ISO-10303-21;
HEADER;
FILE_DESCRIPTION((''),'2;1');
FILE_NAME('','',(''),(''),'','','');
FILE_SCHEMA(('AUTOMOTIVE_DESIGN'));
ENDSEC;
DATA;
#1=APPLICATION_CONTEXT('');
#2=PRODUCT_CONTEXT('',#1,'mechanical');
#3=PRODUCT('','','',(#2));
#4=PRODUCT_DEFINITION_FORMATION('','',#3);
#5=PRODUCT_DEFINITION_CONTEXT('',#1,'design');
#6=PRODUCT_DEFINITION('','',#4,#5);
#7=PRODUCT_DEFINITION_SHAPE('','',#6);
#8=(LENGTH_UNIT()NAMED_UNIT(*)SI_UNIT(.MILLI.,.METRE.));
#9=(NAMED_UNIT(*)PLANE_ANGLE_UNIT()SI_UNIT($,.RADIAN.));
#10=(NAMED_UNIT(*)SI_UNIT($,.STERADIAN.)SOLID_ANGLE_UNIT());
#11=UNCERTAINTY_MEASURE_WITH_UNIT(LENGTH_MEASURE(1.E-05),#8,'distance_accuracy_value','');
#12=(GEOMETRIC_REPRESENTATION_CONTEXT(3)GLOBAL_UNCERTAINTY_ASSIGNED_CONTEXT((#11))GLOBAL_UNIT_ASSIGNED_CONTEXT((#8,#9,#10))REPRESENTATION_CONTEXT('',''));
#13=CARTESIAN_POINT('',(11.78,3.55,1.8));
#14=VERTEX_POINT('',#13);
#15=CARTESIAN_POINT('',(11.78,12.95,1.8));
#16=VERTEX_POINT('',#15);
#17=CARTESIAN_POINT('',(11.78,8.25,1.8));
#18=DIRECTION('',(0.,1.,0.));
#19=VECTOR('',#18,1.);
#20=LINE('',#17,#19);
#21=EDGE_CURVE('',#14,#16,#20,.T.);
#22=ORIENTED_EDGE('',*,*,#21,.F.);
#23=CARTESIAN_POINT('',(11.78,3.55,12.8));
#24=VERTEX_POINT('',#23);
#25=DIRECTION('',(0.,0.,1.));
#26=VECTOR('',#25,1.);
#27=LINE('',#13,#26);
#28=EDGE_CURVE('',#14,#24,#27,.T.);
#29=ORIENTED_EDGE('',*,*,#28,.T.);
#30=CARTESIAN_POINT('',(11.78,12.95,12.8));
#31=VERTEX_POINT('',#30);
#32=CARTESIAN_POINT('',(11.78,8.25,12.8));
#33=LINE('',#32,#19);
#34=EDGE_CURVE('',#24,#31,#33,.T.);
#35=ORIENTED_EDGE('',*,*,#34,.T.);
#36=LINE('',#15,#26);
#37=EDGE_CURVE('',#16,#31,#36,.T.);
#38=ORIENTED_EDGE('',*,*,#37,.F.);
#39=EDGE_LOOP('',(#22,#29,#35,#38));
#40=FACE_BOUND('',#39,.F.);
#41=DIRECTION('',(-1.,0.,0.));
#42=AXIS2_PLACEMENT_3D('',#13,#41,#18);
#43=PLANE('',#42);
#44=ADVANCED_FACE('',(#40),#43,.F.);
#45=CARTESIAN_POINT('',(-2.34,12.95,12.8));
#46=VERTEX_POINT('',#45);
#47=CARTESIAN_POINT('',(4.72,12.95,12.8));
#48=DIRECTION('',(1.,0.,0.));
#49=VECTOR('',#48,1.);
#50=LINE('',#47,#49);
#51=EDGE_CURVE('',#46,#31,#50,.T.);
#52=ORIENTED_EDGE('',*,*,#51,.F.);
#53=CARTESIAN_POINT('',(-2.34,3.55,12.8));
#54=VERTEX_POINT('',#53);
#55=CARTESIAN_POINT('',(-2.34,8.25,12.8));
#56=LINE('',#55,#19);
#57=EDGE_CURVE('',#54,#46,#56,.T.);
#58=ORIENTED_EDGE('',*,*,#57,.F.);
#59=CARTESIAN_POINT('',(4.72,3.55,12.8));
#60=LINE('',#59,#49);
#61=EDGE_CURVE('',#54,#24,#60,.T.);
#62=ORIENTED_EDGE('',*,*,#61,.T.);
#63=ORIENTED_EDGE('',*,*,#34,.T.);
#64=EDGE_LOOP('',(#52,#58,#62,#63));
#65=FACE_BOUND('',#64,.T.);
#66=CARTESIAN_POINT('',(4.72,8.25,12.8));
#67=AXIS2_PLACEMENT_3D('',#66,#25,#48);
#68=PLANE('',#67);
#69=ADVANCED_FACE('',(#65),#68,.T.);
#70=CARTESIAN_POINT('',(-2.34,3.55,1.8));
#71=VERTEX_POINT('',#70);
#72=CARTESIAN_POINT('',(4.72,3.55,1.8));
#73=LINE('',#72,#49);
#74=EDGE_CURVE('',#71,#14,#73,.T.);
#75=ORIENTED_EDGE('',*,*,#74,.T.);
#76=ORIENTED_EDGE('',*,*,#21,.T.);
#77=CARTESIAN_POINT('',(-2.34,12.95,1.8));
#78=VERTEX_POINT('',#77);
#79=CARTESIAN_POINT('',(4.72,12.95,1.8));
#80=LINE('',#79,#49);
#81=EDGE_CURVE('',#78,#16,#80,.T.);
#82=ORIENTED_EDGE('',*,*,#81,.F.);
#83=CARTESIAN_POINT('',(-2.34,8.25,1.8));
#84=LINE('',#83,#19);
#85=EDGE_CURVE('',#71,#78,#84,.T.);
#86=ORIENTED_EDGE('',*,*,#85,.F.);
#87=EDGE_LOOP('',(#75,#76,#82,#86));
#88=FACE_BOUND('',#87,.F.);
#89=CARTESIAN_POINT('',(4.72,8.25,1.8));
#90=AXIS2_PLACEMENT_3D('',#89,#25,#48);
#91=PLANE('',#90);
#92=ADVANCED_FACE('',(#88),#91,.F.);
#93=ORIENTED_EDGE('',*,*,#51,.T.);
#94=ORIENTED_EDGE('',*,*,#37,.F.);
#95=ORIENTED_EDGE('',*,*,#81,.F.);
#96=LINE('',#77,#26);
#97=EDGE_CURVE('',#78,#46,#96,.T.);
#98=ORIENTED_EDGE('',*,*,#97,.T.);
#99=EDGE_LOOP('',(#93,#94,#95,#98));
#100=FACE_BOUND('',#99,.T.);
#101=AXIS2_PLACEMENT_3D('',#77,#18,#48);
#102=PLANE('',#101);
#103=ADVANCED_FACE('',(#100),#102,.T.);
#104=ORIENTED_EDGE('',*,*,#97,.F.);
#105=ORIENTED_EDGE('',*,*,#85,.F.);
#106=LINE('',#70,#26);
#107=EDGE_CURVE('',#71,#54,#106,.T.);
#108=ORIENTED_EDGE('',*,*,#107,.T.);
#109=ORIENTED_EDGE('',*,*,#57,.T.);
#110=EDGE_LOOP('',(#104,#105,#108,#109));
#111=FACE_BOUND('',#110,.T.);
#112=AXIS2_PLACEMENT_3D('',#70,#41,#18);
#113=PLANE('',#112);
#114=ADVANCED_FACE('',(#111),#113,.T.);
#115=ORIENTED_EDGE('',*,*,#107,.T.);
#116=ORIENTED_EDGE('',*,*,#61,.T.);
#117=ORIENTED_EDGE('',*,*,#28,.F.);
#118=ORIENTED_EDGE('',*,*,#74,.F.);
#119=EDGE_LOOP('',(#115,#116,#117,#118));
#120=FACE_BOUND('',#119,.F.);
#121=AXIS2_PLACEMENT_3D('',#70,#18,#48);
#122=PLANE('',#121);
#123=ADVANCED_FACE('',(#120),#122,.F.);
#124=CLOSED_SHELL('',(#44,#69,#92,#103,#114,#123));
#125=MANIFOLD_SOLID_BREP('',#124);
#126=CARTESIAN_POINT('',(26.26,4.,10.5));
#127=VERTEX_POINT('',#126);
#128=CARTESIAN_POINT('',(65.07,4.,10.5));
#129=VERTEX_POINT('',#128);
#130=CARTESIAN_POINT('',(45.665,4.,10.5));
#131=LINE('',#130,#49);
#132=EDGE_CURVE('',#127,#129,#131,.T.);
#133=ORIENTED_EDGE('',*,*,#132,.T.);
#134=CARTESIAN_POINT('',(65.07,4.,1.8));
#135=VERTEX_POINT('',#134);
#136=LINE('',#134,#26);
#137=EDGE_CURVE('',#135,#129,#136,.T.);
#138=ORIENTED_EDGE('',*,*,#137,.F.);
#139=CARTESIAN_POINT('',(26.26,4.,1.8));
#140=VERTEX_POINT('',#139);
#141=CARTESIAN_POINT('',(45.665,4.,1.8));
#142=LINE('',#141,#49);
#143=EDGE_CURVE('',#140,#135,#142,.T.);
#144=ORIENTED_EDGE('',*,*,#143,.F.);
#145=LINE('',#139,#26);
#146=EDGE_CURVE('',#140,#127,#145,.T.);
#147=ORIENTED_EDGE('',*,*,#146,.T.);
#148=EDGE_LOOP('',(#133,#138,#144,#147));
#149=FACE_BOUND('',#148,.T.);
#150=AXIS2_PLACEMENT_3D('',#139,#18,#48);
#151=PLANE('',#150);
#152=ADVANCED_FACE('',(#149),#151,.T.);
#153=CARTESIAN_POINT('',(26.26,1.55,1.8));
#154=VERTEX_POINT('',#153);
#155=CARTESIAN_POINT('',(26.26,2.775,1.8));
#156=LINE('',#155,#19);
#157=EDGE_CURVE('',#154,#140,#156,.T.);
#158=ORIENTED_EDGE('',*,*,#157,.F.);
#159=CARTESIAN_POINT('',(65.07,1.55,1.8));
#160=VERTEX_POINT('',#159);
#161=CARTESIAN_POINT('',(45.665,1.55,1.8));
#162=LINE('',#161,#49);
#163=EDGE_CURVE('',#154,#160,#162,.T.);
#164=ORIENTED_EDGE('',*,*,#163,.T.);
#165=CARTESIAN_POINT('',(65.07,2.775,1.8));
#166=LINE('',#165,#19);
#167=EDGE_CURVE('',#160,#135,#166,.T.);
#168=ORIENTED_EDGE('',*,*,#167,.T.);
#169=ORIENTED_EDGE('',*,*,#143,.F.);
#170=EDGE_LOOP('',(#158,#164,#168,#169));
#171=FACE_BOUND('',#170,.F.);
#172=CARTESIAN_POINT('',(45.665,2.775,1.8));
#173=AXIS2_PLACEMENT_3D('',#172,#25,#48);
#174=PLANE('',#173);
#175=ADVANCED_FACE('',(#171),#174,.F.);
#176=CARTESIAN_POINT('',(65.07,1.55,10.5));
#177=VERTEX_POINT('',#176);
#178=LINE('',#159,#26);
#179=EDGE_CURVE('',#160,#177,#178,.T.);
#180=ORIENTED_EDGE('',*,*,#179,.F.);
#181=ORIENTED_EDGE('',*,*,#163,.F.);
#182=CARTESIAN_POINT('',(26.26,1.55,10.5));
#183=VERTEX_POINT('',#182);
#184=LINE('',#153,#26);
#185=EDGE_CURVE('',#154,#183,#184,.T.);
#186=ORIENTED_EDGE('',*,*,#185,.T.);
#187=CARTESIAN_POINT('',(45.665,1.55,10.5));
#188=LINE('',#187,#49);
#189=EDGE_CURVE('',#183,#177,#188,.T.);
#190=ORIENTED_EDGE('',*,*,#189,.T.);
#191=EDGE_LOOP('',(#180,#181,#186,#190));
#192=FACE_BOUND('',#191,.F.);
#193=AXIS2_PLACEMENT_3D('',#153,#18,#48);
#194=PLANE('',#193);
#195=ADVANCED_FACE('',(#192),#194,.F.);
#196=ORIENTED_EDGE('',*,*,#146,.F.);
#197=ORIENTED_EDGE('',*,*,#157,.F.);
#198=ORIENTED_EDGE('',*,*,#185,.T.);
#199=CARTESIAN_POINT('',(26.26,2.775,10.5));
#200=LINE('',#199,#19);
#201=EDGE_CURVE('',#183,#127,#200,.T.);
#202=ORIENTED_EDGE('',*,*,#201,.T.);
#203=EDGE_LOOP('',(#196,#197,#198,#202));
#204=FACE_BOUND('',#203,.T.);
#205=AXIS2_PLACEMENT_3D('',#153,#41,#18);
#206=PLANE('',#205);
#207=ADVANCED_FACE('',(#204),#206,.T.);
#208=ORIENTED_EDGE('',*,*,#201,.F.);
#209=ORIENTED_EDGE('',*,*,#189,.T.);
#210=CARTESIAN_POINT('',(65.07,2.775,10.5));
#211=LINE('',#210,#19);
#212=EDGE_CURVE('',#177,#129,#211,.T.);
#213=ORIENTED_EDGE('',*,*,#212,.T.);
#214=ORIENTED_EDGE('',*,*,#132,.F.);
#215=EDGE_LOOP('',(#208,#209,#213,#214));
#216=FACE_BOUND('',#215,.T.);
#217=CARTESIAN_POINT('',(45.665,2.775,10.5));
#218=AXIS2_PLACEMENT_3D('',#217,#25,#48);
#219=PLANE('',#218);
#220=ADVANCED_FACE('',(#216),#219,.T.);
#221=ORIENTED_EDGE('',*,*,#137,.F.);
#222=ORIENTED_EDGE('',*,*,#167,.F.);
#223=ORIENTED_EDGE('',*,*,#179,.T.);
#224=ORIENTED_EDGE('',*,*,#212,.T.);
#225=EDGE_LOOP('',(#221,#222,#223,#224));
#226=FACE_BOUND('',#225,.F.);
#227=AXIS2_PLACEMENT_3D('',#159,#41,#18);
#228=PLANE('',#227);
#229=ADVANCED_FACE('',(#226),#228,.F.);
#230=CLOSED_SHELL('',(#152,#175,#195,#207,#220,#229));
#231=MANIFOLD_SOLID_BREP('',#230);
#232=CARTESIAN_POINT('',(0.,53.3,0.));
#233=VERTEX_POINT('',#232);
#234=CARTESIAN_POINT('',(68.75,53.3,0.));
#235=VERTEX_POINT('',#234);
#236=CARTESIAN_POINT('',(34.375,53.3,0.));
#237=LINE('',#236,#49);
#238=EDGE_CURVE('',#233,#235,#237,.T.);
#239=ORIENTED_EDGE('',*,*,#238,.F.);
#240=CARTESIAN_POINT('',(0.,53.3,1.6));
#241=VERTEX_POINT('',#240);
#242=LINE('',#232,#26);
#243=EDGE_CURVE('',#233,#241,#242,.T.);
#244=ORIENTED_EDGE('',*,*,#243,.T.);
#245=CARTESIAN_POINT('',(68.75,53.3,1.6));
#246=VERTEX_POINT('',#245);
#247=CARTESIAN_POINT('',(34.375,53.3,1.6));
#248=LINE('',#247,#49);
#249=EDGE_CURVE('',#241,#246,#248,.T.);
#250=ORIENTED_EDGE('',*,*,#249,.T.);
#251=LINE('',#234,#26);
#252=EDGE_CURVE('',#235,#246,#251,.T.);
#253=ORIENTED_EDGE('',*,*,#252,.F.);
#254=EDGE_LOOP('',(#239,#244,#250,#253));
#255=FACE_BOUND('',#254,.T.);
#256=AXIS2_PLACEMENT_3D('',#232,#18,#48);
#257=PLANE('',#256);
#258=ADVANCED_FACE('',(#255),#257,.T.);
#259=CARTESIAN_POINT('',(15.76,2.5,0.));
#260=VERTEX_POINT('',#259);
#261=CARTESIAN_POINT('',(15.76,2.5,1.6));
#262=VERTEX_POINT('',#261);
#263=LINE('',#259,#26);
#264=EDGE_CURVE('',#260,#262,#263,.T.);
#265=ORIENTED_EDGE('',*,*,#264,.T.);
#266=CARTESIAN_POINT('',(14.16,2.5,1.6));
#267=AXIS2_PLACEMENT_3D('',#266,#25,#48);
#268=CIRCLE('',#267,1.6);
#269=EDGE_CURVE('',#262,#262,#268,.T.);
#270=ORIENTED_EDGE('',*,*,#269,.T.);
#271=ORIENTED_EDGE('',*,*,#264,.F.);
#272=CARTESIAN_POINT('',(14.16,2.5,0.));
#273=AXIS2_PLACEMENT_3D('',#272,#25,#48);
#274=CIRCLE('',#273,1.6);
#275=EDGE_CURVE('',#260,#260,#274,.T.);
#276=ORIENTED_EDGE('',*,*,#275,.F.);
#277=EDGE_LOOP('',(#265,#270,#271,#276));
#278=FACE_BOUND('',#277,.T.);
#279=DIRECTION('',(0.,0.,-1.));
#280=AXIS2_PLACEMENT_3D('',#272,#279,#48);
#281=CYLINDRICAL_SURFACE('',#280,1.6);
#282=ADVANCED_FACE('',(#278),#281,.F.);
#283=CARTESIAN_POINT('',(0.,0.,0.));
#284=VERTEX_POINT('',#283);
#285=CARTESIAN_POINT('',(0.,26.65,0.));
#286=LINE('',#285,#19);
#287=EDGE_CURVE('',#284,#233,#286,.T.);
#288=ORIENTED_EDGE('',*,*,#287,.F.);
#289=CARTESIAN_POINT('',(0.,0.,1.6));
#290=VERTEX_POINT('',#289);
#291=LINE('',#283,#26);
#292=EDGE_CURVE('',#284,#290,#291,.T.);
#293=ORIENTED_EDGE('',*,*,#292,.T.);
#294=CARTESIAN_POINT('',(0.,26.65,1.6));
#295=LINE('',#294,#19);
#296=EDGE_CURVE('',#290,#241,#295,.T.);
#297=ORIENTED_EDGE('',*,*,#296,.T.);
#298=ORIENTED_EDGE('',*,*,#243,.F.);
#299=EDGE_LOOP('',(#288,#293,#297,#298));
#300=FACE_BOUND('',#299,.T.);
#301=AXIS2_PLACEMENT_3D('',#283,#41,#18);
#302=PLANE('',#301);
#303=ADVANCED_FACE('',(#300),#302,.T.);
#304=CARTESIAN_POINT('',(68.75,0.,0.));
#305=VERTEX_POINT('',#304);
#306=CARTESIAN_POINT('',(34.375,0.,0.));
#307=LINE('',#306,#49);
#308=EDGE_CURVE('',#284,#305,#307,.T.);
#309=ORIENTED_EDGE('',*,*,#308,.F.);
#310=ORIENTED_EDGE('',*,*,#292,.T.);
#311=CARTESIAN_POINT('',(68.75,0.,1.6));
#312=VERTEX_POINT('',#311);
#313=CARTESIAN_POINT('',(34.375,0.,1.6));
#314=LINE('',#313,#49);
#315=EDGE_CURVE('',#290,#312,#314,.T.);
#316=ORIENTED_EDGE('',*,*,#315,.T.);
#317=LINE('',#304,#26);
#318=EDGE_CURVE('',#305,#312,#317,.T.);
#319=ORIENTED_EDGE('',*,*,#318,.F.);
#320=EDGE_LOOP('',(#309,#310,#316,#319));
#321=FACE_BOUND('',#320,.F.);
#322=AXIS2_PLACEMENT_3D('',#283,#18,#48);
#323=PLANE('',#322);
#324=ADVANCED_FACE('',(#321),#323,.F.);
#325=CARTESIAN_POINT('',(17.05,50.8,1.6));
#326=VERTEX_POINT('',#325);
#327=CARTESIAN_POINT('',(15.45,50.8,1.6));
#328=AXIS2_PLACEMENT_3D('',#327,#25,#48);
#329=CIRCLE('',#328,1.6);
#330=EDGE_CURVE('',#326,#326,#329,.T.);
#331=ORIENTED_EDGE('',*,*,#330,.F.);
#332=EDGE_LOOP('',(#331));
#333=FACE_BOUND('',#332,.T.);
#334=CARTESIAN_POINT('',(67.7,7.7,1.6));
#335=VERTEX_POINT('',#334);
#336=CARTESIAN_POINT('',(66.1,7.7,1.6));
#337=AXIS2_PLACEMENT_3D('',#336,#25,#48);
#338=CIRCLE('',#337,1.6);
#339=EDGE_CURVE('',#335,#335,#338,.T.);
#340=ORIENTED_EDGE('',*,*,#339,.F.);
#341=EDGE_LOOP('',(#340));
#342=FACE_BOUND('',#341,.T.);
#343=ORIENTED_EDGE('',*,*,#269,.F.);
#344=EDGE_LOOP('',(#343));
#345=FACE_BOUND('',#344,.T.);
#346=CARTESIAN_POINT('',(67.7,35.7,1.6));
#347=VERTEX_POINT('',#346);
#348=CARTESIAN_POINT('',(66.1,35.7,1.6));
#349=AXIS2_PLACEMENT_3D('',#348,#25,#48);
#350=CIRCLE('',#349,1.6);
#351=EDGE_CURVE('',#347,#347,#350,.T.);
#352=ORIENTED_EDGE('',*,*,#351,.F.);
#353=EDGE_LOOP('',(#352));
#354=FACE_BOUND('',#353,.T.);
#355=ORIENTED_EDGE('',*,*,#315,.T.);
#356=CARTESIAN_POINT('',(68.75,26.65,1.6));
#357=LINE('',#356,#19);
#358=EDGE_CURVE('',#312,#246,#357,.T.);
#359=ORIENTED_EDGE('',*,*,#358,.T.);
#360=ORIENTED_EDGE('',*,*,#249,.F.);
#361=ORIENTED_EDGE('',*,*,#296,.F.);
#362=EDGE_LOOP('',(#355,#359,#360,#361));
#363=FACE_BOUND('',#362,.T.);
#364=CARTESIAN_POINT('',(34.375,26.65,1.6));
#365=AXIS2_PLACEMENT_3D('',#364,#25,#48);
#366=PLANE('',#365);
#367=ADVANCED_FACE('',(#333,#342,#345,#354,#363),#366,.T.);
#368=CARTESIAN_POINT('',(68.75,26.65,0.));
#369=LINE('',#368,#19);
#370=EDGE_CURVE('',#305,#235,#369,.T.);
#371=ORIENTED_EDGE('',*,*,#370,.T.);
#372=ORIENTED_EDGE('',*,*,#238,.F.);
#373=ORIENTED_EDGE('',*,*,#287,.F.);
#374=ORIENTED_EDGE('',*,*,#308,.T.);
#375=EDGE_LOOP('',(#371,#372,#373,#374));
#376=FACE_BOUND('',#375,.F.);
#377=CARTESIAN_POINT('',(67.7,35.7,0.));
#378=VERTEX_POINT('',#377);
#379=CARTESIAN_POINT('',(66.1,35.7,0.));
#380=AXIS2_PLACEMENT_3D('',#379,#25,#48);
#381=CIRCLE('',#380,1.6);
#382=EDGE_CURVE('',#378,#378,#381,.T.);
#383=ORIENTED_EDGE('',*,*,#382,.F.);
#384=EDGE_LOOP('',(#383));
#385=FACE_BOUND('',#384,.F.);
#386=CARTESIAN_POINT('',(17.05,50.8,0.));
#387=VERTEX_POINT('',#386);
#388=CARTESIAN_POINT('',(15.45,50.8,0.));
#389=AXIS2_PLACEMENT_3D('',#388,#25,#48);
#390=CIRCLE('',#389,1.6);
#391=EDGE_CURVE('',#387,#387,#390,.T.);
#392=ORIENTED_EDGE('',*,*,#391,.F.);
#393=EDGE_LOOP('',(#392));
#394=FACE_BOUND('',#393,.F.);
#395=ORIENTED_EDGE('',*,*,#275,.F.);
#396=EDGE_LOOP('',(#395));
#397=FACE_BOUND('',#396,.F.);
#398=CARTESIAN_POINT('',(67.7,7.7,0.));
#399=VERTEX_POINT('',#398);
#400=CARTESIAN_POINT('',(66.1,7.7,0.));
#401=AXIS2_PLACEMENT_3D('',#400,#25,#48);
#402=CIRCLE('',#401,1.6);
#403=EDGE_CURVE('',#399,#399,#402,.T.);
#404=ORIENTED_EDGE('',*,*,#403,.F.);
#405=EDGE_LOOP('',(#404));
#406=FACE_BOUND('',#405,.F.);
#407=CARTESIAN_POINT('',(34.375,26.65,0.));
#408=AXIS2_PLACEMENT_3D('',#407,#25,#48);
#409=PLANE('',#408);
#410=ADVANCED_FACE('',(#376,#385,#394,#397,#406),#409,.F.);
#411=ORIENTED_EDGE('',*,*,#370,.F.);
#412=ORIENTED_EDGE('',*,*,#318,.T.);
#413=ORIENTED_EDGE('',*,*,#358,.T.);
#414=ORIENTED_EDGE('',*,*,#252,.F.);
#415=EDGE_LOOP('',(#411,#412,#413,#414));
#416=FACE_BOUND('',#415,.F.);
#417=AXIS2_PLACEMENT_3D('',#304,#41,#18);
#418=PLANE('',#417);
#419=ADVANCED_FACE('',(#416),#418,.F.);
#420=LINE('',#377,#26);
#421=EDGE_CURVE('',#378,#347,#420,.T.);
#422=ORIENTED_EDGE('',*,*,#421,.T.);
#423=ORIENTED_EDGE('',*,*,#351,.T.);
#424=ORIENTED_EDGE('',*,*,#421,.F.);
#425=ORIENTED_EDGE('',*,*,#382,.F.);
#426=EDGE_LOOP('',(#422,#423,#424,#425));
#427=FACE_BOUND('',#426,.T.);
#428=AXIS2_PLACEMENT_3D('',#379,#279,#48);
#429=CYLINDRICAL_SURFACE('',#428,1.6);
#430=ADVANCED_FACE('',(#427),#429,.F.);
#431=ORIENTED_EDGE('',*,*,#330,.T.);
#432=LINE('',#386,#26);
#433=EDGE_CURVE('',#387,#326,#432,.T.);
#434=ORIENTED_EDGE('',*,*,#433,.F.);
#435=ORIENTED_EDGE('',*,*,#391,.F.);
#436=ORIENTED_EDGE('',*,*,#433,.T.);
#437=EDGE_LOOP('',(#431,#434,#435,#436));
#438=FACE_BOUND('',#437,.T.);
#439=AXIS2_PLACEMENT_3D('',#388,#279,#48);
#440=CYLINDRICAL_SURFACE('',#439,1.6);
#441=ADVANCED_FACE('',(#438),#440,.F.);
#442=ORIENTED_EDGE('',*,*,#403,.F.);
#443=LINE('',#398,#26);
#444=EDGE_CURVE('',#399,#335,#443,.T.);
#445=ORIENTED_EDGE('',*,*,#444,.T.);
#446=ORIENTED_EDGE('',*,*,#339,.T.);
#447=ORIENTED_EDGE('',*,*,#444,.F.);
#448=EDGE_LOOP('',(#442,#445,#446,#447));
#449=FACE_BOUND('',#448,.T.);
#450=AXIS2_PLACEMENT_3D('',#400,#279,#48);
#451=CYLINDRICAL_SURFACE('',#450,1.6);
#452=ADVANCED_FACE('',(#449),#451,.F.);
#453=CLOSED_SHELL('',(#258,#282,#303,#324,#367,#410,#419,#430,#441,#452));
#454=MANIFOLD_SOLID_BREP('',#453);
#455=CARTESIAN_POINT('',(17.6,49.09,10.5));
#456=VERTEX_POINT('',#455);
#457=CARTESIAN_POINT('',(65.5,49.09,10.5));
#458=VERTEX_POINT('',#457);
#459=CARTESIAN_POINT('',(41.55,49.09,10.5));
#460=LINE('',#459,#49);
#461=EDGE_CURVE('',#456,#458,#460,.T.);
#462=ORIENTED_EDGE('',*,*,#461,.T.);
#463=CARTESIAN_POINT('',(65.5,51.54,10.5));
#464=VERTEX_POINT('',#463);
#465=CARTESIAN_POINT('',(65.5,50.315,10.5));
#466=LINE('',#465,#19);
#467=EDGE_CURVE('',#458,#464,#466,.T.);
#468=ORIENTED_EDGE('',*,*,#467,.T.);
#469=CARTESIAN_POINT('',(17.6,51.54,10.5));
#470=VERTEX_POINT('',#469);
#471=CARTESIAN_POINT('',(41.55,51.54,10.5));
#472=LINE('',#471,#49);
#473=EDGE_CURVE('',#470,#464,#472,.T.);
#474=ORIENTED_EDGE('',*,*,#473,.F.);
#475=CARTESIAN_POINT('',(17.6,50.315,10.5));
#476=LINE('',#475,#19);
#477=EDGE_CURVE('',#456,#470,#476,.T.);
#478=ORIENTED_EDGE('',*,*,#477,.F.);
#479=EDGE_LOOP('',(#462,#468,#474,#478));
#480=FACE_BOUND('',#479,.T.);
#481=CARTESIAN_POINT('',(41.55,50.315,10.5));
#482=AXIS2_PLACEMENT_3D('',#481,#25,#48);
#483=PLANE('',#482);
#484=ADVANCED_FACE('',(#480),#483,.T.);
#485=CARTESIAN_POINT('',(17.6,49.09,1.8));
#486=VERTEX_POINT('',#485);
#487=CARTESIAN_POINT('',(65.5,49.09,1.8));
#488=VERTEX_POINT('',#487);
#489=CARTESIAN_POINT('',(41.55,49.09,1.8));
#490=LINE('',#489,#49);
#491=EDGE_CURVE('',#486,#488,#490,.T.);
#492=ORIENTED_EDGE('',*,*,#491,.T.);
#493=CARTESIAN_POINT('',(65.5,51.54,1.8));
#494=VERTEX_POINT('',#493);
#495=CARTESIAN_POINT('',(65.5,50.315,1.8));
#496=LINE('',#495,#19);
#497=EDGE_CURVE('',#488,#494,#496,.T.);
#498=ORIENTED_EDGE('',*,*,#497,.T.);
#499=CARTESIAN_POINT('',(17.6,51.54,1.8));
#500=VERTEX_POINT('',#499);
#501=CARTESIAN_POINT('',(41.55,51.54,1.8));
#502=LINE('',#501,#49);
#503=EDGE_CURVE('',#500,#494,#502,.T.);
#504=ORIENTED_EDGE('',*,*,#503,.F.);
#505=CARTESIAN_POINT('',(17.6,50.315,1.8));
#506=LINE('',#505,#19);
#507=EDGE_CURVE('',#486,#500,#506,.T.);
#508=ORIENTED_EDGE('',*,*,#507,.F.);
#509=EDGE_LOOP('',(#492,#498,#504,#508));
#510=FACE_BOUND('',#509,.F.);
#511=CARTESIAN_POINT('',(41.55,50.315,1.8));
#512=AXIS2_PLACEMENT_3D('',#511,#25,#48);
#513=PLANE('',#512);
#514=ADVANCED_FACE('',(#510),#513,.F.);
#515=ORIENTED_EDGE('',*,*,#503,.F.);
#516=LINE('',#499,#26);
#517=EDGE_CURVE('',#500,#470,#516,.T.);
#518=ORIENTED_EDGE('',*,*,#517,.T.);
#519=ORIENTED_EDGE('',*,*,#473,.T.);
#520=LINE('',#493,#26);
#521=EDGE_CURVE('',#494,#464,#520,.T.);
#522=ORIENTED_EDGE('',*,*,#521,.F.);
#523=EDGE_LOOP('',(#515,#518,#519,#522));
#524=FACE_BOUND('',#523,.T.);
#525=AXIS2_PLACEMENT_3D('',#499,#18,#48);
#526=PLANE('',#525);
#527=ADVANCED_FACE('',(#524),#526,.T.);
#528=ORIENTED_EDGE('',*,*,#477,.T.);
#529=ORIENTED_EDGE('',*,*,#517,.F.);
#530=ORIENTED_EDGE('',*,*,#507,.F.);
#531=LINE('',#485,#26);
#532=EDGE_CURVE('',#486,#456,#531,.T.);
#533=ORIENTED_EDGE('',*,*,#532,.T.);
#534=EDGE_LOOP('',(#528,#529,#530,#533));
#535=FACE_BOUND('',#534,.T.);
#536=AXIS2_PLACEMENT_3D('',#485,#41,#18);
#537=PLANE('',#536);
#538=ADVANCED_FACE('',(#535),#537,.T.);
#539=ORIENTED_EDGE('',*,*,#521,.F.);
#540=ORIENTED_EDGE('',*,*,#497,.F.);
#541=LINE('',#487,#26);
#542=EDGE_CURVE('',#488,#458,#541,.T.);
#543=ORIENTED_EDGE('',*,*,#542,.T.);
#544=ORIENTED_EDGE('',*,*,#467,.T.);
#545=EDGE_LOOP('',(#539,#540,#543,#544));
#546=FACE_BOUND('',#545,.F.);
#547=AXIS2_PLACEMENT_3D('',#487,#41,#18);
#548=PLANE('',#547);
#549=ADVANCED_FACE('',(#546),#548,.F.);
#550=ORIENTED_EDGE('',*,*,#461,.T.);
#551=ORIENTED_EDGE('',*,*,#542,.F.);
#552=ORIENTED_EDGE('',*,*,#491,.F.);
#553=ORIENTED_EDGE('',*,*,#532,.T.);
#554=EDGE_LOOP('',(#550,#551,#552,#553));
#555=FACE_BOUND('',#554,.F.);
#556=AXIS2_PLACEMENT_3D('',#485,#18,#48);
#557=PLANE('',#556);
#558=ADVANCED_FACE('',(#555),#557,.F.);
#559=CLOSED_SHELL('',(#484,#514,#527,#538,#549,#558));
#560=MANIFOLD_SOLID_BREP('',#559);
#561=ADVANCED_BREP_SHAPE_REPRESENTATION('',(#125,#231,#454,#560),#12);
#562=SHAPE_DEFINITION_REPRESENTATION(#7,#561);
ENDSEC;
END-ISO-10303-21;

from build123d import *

# Parameters (mm, degrees)
F0_W     = 68.75
F0_H     = 53.3
F0_R     = 1.6
F1_DEPTH = 1.6
F3_W     = 14.12
F3_H     = 9.4
F4_DEPTH = 11
F3_W_2   = 47.9
F3_H_2   = 2.45
F5_DEPTH = 8.7
F3_W_3   = 38.81


with BuildPart() as f1:
    # F0 (on Top) → F1 (new body)
    with BuildSketch(Plane.XY):
        with Locations((34.375, 26.65)):
            Rectangle(F0_W, F0_H)
        with Locations((14.16, 2.5)):
            Circle(F0_R, mode=Mode.SUBTRACT)
        with Locations((66.1, 7.7)):
            Circle(F0_R, mode=Mode.SUBTRACT)
        with Locations((15.45, 50.8)):
            Circle(F0_R, mode=Mode.SUBTRACT)
        with Locations((66.1, 35.7)):
            Circle(F0_R, mode=Mode.SUBTRACT)
    extrude(amount=F1_DEPTH)


with BuildPart() as f4:
    # F3 (on offset) → F4 (new body)
    with BuildSketch(Plane.XY.offset(1.8)):
        with Locations((4.72, 8.25)):
            Rectangle(F3_W, F3_H)
    extrude(amount=F4_DEPTH)


with BuildPart() as f5:
    # F3 (on offset) → F5 (new body)
    with BuildSketch(Plane.XY.offset(1.8)):
        with Locations((41.55, 50.315)):
            Rectangle(F3_W_2, F3_H_2)
    extrude(amount=F5_DEPTH)


with BuildPart() as f5b:
    # F3 (on offset) → F5, piece 2 (new body)
    with BuildSketch(Plane.XY.offset(1.8)):
        with Locations((45.665, 2.775)):
            Rectangle(F3_W_3, F3_H_2)
    extrude(amount=F5_DEPTH)


solid = Compound([f1.part, f4.part, f5.part, f5b.part])
